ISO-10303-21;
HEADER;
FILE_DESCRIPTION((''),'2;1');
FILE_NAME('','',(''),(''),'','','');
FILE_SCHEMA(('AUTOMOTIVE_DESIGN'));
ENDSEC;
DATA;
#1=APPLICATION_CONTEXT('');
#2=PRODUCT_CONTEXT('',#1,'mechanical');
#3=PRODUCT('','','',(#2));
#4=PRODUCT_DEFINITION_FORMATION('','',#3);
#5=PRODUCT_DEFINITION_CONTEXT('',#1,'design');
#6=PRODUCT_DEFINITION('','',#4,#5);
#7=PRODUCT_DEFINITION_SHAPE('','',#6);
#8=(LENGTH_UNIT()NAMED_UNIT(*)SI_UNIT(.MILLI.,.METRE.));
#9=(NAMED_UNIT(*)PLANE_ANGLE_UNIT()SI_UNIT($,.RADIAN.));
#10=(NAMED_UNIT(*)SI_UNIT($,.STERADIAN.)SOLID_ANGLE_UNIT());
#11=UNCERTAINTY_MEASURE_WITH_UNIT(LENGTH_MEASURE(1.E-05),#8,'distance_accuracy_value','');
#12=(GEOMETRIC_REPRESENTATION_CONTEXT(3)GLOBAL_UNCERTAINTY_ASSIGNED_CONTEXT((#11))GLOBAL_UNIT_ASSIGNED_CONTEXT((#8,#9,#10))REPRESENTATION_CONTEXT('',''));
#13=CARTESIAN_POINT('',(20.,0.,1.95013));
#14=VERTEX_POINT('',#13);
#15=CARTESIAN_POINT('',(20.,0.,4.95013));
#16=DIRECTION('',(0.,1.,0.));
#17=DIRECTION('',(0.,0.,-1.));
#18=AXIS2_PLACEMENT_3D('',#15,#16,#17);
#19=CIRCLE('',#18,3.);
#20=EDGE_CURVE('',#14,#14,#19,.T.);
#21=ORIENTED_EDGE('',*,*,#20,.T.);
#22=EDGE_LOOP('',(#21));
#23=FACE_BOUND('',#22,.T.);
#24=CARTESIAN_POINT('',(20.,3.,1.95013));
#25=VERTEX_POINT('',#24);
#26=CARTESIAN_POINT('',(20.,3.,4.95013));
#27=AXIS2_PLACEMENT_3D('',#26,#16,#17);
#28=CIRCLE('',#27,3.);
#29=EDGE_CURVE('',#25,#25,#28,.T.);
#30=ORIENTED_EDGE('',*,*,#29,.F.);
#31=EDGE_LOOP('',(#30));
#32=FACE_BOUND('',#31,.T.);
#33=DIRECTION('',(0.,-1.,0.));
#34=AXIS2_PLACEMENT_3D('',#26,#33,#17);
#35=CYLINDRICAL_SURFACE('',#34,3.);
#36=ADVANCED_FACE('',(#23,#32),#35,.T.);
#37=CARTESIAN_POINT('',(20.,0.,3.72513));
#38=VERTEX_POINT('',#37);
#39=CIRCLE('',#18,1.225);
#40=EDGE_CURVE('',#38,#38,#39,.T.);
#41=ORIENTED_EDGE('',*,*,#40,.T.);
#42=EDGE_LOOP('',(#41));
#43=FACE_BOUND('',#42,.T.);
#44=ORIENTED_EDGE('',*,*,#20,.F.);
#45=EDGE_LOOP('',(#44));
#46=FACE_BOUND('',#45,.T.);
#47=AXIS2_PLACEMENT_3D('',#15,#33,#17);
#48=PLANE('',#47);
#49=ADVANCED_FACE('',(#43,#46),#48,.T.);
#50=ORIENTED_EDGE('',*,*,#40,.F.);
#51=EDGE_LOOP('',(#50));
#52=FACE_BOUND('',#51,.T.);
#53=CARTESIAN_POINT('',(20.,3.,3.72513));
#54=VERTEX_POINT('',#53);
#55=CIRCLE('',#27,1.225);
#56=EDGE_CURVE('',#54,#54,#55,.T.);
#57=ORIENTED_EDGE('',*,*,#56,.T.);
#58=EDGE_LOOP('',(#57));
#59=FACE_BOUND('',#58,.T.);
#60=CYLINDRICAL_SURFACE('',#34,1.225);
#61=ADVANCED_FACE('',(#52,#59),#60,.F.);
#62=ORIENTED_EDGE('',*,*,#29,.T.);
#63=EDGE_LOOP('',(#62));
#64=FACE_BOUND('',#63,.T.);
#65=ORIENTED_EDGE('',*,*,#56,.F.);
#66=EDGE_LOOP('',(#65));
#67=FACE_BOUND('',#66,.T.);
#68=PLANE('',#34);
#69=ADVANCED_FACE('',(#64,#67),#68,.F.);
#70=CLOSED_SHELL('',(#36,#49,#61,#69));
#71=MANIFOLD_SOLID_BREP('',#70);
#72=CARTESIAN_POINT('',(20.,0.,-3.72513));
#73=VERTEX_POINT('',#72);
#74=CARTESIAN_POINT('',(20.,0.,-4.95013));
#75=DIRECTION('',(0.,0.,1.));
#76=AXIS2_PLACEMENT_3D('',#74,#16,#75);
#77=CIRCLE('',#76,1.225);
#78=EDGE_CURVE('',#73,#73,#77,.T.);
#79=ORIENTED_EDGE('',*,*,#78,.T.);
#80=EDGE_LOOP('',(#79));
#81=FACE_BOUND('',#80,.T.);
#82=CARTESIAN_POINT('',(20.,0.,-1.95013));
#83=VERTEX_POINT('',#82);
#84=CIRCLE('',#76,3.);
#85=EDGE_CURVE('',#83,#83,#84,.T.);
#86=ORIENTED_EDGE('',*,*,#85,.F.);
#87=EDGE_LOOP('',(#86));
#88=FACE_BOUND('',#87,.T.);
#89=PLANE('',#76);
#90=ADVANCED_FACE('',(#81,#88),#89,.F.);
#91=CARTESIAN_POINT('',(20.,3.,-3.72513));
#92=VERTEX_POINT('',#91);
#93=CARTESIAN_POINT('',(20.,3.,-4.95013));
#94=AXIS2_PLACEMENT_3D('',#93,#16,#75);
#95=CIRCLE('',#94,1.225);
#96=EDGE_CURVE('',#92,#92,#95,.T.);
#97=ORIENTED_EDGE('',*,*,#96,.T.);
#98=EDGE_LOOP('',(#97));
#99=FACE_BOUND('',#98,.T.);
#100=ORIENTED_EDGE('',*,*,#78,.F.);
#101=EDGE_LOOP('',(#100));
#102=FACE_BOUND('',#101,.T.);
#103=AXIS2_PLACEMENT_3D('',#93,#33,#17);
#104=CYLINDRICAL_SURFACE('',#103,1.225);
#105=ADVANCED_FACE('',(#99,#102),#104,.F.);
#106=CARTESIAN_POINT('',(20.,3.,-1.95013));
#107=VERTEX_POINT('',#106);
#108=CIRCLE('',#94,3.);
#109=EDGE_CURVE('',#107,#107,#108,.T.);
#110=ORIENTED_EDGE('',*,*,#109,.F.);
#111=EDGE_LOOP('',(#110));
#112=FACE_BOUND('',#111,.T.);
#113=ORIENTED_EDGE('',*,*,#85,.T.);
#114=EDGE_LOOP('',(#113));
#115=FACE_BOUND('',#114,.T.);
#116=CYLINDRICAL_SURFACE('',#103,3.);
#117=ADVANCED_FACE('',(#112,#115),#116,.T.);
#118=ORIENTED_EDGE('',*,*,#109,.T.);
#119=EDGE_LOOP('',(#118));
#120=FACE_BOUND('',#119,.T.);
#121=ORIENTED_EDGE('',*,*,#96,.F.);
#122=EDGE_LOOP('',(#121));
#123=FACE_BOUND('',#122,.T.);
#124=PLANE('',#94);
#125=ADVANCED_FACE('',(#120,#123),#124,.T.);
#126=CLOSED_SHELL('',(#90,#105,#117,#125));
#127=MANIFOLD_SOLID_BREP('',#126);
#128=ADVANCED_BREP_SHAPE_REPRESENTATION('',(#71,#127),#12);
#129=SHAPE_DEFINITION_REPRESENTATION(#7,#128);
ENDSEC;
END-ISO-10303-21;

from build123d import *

# Parameters (mm, degrees)
SKETCH_1_R          = 3
SKETCH_1_R_2        = 1.05
EXTRUDE_1_DEPTH     = 3
EXTRUDE_1_2_DEPTH   = 3
SKETCH_1_R_3        = 1.075
EXTRUDE_1_3_DEPTH   = 3
EXTRUDE_1_4_DEPTH   = 3
SKETCH_1_R_4        = 1.225
EXTRUDE_1_5_DEPTH   = 3
EXTRUDE_1_6_DEPTH   = 3
SKETCH_1_R_5        = 1.125
EXTRUDE_1_7_DEPTH   = 3
EXTRUDE_1_8_DEPTH   = 3
SKETCH_2_W          = 22.049293563
SKETCH_2_H          = 26.57793635
SKETCH_2_W_2        = 15.516169545
SKETCH_2_H_2        = 27.468816898
CUT_EXTRUDE_3_DEPTH = 4


with BuildPart() as part:
    # 草图1 → 凸台-拉伸1 (new body)
    with BuildSketch(Plane(origin=(0, 0, 0), x_dir=(1, 0, 0), z_dir=(0, 1, 0))):
        with Locations((0, 4.950130432)):
            Circle(SKETCH_1_R)
        with Locations((0, 4.950130432)):
            Circle(SKETCH_1_R_2, mode=Mode.SUBTRACT)
    extrude(amount=EXTRUDE_1_DEPTH)


with BuildPart() as body_2:
    # 草图1 → Extrude 1 2 (new body)
    with BuildSketch(Plane(origin=(0, 0, 0), x_dir=(1, 0, 0), z_dir=(0, 1, 0))):
        with Locations((0, -4.950130432)):
            Circle(SKETCH_1_R)
        with Locations((0, -4.950130432)):
            Circle(SKETCH_1_R_2, mode=Mode.SUBTRACT)
    extrude(amount=EXTRUDE_1_2_DEPTH)


with BuildPart() as body_3:
    # 草图1 → Extrude 1 3 (new body)
    with BuildSketch(Plane(origin=(0, 0, 0), x_dir=(1, 0, 0), z_dir=(0, 1, 0))):
        with Locations((10, -4.950130432)):
            Circle(SKETCH_1_R)
        with Locations((10, -4.950130432)):
            Circle(SKETCH_1_R_3, mode=Mode.SUBTRACT)
    extrude(amount=EXTRUDE_1_3_DEPTH)


with BuildPart() as body_4:
    # 草图1 → Extrude 1 4 (new body)
    with BuildSketch(Plane(origin=(0, 0, 0), x_dir=(1, 0, 0), z_dir=(0, 1, 0))):
        with Locations((10, 4.950130432)):
            Circle(SKETCH_1_R)
        with Locations((10, 4.950130432)):
            Circle(SKETCH_1_R_3, mode=Mode.SUBTRACT)
    extrude(amount=EXTRUDE_1_4_DEPTH)


with BuildPart() as body_5:
    # 草图1 → Extrude 1 5 (new body)
    with BuildSketch(Plane(origin=(0, 0, 0), x_dir=(1, 0, 0), z_dir=(0, 1, 0))):
        with Locations((20, -4.950130432)):
            Circle(SKETCH_1_R)
        with Locations((20, -4.950130432)):
            Circle(SKETCH_1_R_4, mode=Mode.SUBTRACT)
    extrude(amount=EXTRUDE_1_5_DEPTH)


with BuildPart() as body_6:
    # 草图1 → Extrude 1 6 (new body)
    with BuildSketch(Plane(origin=(0, 0, 0), x_dir=(1, 0, 0), z_dir=(0, 1, 0))):
        with Locations((20, 4.950130432)):
            Circle(SKETCH_1_R)
        with Locations((20, 4.950130432)):
            Circle(SKETCH_1_R_4, mode=Mode.SUBTRACT)
    extrude(amount=EXTRUDE_1_6_DEPTH)


with BuildPart() as body_7:
    # 草图1 → Extrude 1 7 (new body)
    with BuildSketch(Plane(origin=(0, 0, 0), x_dir=(1, 0, 0), z_dir=(0, 1, 0))):
        with Locations((30, -4.950130432)):
            Circle(SKETCH_1_R)
        with Locations((30, -4.950130432)):
            Circle(SKETCH_1_R_5, mode=Mode.SUBTRACT)
    extrude(amount=EXTRUDE_1_7_DEPTH)


with BuildPart() as body_8:
    # 草图1 → Extrude 1 8 (new body)
    with BuildSketch(Plane(origin=(0, 0, 0), x_dir=(1, 0, 0), z_dir=(0, 1, 0))):
        with Locations((30, 4.950130432)):
            Circle(SKETCH_1_R)
        with Locations((30, 4.950130432)):
            Circle(SKETCH_1_R_5, mode=Mode.SUBTRACT)
    extrude(amount=EXTRUDE_1_8_DEPTH)


with BuildPart() as cut_extrude_3_tool:
    # 草图2 → 切除-拉伸3 (new body, through all)
    with BuildSketch(Plane(origin=(0, 0, 0), x_dir=(1, 0, 0), z_dir=(0, 1, 0))):
        with Locations((4.346553446, -2.004481233)):
            Rectangle(SKETCH_2_W, SKETCH_2_H)
        with Locations((33.003211075, -0.668160411)):
            Rectangle(SKETCH_2_W_2, SKETCH_2_H_2)
    extrude(amount=CUT_EXTRUDE_3_DEPTH)


with BuildPart() as part_1:
    add(part.part)

    # 切除-拉伸3: cut by cut_extrude_3_tool
    add(cut_extrude_3_tool.part, mode=Mode.SUBTRACT)


with BuildPart() as body_2_1:
    add(body_2.part)

    # 切除-拉伸3: cut by cut_extrude_3_tool
    add(cut_extrude_3_tool.part, mode=Mode.SUBTRACT)


with BuildPart() as body_3_1:
    add(body_3.part)

    # 切除-拉伸3: cut by cut_extrude_3_tool
    add(cut_extrude_3_tool.part, mode=Mode.SUBTRACT)


with BuildPart() as body_4_1:
    add(body_4.part)

    # 切除-拉伸3: cut by cut_extrude_3_tool
    add(cut_extrude_3_tool.part, mode=Mode.SUBTRACT)


with BuildPart() as body_7_1:
    add(body_7.part)

    # 切除-拉伸3: cut by cut_extrude_3_tool
    add(cut_extrude_3_tool.part, mode=Mode.SUBTRACT)


with BuildPart() as body_8_1:
    add(body_8.part)

    # 切除-拉伸3: cut by cut_extrude_3_tool
    add(cut_extrude_3_tool.part, mode=Mode.SUBTRACT)


solid = Compound([body_5.part, body_6.part])
